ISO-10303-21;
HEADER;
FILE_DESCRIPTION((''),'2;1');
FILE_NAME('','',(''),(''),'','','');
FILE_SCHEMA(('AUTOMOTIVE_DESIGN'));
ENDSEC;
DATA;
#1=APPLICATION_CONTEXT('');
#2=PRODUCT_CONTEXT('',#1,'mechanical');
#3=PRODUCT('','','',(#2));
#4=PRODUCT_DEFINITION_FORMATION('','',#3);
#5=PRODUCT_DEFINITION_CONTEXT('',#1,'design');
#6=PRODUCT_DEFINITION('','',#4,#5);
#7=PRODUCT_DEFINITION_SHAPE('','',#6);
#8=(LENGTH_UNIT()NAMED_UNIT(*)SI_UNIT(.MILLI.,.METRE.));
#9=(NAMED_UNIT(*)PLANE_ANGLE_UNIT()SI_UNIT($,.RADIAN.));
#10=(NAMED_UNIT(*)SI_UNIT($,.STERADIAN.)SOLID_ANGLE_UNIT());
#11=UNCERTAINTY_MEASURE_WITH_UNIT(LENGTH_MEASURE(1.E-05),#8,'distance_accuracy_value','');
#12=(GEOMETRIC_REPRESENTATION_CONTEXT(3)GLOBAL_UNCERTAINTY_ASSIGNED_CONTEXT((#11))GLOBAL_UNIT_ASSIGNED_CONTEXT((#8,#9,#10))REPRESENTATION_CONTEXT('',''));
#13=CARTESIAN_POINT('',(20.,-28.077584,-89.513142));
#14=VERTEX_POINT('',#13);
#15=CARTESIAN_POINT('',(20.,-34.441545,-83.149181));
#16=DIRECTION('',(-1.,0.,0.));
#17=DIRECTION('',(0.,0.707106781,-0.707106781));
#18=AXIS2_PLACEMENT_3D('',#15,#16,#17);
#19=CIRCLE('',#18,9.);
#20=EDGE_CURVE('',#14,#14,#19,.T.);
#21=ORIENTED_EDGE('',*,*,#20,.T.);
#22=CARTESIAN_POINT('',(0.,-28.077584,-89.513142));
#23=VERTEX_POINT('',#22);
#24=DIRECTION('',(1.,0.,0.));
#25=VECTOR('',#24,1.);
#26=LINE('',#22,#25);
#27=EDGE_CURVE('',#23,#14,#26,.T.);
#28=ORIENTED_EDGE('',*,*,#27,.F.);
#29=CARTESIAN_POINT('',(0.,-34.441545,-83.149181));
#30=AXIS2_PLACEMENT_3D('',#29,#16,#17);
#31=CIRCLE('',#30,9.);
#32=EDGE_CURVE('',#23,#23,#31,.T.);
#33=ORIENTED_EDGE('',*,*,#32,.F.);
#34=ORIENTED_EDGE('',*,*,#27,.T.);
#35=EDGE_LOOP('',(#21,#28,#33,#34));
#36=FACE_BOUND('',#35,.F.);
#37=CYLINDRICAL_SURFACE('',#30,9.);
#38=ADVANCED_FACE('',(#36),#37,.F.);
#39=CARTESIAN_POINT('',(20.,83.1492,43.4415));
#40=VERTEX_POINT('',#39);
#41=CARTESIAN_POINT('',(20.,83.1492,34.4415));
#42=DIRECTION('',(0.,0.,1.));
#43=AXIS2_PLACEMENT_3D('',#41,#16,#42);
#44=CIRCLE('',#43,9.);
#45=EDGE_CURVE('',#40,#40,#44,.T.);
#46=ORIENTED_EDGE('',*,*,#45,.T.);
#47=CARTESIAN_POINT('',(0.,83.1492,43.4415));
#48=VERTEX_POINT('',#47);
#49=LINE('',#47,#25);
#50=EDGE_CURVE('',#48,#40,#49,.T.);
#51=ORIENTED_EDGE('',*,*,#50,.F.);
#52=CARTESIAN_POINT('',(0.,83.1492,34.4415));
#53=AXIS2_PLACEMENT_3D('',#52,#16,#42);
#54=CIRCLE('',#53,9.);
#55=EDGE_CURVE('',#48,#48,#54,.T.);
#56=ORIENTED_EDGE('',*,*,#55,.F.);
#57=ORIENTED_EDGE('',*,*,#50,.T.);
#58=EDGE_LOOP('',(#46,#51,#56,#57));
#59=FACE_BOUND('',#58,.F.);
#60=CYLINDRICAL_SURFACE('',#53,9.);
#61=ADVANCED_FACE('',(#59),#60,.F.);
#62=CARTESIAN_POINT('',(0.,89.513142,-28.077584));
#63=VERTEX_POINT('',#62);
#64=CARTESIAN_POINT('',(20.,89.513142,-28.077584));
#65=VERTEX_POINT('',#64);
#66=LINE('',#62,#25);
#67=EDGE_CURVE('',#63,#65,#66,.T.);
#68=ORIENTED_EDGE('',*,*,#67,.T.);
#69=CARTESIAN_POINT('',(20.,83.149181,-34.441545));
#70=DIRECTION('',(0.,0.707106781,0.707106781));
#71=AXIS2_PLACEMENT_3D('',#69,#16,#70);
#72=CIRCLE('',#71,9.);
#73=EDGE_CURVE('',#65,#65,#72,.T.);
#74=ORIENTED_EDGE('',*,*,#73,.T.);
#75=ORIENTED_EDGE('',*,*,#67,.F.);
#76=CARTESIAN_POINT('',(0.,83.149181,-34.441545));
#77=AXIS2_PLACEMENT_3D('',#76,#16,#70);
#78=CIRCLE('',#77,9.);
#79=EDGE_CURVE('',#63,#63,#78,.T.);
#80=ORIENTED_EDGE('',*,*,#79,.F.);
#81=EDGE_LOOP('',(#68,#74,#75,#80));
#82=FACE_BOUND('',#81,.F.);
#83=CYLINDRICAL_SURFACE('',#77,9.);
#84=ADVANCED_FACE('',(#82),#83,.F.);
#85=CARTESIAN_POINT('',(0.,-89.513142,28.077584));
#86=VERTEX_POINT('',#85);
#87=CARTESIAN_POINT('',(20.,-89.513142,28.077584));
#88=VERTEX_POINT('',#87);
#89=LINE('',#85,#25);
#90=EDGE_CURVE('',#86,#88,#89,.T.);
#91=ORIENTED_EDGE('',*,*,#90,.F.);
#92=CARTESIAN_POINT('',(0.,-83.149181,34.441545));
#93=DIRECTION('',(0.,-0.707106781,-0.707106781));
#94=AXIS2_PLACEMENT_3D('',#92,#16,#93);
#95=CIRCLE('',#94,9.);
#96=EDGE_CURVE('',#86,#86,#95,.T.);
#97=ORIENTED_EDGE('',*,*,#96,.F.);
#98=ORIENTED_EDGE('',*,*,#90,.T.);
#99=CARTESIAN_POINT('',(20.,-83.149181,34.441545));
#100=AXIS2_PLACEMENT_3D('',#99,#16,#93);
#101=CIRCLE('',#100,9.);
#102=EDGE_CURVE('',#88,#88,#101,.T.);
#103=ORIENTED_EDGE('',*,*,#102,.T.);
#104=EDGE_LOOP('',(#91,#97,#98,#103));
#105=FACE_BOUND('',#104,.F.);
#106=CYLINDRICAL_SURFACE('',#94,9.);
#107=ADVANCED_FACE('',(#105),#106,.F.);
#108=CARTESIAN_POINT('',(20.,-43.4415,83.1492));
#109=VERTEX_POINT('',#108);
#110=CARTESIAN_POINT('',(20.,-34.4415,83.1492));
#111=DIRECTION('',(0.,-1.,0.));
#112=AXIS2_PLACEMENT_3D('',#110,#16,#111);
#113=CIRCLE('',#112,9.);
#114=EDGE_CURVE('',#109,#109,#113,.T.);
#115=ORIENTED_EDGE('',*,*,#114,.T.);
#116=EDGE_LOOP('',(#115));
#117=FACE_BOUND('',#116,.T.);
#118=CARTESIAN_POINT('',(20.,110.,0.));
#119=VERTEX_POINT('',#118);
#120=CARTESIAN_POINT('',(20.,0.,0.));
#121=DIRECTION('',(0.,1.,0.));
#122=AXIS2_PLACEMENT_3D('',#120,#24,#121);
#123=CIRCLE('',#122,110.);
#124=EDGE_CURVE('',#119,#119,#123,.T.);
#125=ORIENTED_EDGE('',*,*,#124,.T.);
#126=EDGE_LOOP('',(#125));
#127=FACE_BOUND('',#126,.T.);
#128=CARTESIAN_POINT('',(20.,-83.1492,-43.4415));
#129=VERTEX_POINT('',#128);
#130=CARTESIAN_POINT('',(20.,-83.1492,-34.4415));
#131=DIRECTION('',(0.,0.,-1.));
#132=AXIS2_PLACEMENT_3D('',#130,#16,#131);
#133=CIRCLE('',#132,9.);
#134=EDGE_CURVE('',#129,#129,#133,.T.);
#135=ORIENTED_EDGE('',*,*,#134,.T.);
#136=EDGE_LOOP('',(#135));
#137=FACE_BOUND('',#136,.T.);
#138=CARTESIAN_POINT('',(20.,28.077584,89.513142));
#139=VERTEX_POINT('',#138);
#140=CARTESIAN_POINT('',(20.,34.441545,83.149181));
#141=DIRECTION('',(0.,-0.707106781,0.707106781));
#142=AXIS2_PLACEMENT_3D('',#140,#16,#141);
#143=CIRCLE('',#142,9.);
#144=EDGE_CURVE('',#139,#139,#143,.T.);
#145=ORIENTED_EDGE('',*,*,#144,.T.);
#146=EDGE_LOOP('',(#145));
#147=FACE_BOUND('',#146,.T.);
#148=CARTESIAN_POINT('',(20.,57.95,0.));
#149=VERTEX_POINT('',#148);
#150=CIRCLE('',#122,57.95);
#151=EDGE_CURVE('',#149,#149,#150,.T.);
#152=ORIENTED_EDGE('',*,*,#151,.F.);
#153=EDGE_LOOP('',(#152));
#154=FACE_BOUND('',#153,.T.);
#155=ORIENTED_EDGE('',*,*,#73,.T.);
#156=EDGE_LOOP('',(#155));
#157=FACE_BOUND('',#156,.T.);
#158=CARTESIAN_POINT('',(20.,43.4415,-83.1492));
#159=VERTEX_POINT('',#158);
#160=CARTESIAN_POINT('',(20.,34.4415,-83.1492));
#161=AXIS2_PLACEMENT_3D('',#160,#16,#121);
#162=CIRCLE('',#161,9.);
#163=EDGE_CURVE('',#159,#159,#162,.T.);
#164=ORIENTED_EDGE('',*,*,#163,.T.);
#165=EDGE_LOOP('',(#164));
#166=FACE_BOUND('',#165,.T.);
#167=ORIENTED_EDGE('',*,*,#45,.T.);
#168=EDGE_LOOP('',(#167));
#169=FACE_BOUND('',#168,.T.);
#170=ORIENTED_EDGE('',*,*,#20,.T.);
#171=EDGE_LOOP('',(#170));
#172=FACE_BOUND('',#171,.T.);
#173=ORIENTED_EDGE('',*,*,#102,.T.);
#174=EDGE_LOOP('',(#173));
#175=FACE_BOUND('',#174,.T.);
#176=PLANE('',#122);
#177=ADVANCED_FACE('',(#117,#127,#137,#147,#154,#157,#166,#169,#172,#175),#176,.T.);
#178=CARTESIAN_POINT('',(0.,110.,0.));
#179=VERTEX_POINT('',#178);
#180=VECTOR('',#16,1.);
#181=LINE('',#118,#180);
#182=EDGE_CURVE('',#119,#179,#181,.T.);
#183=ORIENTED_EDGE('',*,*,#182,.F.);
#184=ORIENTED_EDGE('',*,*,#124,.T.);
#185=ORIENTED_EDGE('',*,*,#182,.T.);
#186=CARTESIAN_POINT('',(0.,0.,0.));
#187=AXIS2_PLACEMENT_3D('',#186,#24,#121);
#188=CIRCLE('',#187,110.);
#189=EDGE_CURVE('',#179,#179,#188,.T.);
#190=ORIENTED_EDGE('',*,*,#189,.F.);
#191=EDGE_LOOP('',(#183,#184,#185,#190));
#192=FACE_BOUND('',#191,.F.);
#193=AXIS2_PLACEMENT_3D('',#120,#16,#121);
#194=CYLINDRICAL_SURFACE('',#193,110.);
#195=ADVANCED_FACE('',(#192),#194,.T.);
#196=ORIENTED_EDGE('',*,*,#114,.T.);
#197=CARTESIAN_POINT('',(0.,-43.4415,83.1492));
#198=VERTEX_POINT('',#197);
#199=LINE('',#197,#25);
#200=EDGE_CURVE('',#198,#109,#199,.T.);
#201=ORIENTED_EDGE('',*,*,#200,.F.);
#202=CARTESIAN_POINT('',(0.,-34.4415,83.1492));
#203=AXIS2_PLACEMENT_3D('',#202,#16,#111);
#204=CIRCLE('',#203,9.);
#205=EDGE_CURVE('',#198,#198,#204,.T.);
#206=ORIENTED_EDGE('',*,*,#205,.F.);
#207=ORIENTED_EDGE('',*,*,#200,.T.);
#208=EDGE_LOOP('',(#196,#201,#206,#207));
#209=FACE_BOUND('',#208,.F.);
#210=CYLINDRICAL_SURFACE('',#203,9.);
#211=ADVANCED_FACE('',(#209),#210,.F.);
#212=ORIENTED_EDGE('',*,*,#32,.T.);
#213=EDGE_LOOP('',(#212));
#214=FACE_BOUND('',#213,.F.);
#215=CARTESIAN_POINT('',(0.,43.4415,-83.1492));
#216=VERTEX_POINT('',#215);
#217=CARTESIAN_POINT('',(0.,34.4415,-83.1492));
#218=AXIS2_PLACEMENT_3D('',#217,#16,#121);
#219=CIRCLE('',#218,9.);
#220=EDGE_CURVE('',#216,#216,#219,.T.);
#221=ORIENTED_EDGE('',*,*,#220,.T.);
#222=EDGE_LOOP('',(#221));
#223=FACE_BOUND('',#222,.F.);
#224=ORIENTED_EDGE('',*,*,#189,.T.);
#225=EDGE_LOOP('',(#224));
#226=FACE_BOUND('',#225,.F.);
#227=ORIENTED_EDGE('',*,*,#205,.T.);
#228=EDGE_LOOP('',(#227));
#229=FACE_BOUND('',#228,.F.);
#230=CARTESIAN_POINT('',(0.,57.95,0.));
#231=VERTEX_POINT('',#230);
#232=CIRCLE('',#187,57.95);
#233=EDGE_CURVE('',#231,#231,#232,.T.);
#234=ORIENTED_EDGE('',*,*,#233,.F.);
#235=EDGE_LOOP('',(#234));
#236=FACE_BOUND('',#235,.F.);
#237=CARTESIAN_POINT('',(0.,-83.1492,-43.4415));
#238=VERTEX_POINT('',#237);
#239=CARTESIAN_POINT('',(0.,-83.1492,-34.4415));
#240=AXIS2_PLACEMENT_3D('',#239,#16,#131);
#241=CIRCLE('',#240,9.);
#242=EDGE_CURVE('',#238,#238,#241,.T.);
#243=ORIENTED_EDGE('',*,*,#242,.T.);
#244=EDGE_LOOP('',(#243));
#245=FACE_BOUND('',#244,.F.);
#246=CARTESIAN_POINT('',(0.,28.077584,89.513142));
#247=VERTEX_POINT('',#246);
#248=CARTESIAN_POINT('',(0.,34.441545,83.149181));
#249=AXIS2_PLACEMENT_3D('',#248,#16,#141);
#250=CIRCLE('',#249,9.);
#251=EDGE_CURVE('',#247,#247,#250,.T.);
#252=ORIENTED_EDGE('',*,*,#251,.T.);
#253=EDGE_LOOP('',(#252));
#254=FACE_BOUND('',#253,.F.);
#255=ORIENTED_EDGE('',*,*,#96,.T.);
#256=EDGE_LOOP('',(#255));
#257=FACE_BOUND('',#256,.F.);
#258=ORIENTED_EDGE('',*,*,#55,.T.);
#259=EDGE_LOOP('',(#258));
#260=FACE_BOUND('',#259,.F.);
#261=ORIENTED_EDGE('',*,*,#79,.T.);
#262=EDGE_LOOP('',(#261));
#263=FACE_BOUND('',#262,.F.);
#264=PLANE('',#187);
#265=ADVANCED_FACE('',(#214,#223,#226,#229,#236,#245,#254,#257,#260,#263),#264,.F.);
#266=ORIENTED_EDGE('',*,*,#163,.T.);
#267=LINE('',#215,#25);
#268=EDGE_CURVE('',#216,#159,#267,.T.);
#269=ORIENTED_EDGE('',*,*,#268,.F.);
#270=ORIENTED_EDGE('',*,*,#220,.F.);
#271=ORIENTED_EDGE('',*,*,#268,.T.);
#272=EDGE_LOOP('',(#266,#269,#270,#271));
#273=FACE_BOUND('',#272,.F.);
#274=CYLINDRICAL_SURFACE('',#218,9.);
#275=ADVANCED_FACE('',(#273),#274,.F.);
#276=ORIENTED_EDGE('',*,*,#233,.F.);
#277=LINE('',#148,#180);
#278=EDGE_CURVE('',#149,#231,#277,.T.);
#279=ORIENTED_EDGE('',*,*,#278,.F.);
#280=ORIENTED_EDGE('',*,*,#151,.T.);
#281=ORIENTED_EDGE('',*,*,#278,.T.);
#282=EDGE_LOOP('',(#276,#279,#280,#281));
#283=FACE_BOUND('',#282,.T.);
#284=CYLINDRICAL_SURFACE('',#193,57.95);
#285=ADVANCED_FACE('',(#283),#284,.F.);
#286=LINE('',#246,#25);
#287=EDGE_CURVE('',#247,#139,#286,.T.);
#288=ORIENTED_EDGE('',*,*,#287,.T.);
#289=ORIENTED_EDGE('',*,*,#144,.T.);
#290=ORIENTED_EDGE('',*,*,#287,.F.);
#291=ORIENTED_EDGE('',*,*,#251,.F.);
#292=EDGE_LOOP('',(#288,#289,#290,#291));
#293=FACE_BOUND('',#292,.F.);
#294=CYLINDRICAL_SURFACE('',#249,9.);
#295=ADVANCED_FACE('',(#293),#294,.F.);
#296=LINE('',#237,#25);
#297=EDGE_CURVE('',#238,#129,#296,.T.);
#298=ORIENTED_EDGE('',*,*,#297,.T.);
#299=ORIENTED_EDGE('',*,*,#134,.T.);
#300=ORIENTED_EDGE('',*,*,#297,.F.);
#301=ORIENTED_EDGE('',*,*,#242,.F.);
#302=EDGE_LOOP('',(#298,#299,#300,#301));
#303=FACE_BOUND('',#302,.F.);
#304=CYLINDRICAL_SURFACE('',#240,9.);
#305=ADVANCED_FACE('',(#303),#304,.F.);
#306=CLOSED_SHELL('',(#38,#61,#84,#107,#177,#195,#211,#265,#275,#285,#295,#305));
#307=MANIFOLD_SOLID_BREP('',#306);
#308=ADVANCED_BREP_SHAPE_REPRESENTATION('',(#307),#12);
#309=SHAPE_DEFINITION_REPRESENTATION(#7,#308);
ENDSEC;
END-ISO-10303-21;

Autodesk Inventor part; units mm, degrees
ref_plane "YZ Plane" through (0, 0, 0) normal (1, 0, 0) x (0, 1, 0)
ref_plane "XZ Plane" through (0, 0, 0) normal (0, 1, 0) x (-1, 0, 0)
ref_plane "XY Plane" through (0, 0, 0) normal (0, 0, 1) x (1, 0, 0)
sketch "Sketch1" plane through (0, 0, 0) normal (0, 0, 1) x (1, 0, 0)
  line L0 (20, 110) -> (0, 110)
  line L1 (0, 110) -> (0, 57.95)
  line L2 (0, 57.95) -> (0, 0) construction
  line L3 (0, 0) -> (20, 0) construction
  line L4 (20, 110) -> (20, 57.95)
  line L5 (20, 57.95) -> (0, 57.95)
  line L6 (20, 57.95) -> (20, 0) construction
  dimension "d0" = 220
  dimension "d1" = 20
  dimension "d5" = 115.9
revolve "Revolution1" add sketch "Sketch1" angle 360 about axis through (0, 0, 0) along (1, 0, 0)
sketch "Sketch2" plane through (0, 0, 0) normal (-1, 0, 0) x (0, 0, 1)
  circle A0 centre (0, 0) radius 57.95 projected
  line L0 (0, 90) -> (0, 0) construction
  circle A1 centre (0, 0) radius 110 projected
  circle A2 centre (0, 0) radius 90 construction
  line L1 (0, 0) -> (34.4415, 83.1492) construction
  circle A3 centre (34.4415, 83.1492) radius 9
  dimension "d6" = 18
  dimension "d7" = 90
  dimension "d8" = 22.5
extrude "Extrusion1" cut sketch "Sketch2" against normal through all contours A3
pattern_circular "Circular Pattern1" count 8 over 360 about axis through (10, 0, 0) along (1, 0, 0) of "Extrusion1"
equation "\"d6\" = dd2"
equation "\"d7\" = 0.5 * k"
equation "\"d0\" = D"
equation "\"d1\" = b"
equation "\"d5\" = dd5"
equation "\"b\" = 20"
equation "\"D\" = 220"
equation "\"dd2\" = 18"
equation "\"dd5\" = 115.9"
equation "\"Size_Designation\" = 1.2345"
equation "\"k\" = 180"
properties part number "DIN 2576 Slip-On Flange for Welding Series 1 (ISO) - PN 10 100 x 114.3" material "Steel"
